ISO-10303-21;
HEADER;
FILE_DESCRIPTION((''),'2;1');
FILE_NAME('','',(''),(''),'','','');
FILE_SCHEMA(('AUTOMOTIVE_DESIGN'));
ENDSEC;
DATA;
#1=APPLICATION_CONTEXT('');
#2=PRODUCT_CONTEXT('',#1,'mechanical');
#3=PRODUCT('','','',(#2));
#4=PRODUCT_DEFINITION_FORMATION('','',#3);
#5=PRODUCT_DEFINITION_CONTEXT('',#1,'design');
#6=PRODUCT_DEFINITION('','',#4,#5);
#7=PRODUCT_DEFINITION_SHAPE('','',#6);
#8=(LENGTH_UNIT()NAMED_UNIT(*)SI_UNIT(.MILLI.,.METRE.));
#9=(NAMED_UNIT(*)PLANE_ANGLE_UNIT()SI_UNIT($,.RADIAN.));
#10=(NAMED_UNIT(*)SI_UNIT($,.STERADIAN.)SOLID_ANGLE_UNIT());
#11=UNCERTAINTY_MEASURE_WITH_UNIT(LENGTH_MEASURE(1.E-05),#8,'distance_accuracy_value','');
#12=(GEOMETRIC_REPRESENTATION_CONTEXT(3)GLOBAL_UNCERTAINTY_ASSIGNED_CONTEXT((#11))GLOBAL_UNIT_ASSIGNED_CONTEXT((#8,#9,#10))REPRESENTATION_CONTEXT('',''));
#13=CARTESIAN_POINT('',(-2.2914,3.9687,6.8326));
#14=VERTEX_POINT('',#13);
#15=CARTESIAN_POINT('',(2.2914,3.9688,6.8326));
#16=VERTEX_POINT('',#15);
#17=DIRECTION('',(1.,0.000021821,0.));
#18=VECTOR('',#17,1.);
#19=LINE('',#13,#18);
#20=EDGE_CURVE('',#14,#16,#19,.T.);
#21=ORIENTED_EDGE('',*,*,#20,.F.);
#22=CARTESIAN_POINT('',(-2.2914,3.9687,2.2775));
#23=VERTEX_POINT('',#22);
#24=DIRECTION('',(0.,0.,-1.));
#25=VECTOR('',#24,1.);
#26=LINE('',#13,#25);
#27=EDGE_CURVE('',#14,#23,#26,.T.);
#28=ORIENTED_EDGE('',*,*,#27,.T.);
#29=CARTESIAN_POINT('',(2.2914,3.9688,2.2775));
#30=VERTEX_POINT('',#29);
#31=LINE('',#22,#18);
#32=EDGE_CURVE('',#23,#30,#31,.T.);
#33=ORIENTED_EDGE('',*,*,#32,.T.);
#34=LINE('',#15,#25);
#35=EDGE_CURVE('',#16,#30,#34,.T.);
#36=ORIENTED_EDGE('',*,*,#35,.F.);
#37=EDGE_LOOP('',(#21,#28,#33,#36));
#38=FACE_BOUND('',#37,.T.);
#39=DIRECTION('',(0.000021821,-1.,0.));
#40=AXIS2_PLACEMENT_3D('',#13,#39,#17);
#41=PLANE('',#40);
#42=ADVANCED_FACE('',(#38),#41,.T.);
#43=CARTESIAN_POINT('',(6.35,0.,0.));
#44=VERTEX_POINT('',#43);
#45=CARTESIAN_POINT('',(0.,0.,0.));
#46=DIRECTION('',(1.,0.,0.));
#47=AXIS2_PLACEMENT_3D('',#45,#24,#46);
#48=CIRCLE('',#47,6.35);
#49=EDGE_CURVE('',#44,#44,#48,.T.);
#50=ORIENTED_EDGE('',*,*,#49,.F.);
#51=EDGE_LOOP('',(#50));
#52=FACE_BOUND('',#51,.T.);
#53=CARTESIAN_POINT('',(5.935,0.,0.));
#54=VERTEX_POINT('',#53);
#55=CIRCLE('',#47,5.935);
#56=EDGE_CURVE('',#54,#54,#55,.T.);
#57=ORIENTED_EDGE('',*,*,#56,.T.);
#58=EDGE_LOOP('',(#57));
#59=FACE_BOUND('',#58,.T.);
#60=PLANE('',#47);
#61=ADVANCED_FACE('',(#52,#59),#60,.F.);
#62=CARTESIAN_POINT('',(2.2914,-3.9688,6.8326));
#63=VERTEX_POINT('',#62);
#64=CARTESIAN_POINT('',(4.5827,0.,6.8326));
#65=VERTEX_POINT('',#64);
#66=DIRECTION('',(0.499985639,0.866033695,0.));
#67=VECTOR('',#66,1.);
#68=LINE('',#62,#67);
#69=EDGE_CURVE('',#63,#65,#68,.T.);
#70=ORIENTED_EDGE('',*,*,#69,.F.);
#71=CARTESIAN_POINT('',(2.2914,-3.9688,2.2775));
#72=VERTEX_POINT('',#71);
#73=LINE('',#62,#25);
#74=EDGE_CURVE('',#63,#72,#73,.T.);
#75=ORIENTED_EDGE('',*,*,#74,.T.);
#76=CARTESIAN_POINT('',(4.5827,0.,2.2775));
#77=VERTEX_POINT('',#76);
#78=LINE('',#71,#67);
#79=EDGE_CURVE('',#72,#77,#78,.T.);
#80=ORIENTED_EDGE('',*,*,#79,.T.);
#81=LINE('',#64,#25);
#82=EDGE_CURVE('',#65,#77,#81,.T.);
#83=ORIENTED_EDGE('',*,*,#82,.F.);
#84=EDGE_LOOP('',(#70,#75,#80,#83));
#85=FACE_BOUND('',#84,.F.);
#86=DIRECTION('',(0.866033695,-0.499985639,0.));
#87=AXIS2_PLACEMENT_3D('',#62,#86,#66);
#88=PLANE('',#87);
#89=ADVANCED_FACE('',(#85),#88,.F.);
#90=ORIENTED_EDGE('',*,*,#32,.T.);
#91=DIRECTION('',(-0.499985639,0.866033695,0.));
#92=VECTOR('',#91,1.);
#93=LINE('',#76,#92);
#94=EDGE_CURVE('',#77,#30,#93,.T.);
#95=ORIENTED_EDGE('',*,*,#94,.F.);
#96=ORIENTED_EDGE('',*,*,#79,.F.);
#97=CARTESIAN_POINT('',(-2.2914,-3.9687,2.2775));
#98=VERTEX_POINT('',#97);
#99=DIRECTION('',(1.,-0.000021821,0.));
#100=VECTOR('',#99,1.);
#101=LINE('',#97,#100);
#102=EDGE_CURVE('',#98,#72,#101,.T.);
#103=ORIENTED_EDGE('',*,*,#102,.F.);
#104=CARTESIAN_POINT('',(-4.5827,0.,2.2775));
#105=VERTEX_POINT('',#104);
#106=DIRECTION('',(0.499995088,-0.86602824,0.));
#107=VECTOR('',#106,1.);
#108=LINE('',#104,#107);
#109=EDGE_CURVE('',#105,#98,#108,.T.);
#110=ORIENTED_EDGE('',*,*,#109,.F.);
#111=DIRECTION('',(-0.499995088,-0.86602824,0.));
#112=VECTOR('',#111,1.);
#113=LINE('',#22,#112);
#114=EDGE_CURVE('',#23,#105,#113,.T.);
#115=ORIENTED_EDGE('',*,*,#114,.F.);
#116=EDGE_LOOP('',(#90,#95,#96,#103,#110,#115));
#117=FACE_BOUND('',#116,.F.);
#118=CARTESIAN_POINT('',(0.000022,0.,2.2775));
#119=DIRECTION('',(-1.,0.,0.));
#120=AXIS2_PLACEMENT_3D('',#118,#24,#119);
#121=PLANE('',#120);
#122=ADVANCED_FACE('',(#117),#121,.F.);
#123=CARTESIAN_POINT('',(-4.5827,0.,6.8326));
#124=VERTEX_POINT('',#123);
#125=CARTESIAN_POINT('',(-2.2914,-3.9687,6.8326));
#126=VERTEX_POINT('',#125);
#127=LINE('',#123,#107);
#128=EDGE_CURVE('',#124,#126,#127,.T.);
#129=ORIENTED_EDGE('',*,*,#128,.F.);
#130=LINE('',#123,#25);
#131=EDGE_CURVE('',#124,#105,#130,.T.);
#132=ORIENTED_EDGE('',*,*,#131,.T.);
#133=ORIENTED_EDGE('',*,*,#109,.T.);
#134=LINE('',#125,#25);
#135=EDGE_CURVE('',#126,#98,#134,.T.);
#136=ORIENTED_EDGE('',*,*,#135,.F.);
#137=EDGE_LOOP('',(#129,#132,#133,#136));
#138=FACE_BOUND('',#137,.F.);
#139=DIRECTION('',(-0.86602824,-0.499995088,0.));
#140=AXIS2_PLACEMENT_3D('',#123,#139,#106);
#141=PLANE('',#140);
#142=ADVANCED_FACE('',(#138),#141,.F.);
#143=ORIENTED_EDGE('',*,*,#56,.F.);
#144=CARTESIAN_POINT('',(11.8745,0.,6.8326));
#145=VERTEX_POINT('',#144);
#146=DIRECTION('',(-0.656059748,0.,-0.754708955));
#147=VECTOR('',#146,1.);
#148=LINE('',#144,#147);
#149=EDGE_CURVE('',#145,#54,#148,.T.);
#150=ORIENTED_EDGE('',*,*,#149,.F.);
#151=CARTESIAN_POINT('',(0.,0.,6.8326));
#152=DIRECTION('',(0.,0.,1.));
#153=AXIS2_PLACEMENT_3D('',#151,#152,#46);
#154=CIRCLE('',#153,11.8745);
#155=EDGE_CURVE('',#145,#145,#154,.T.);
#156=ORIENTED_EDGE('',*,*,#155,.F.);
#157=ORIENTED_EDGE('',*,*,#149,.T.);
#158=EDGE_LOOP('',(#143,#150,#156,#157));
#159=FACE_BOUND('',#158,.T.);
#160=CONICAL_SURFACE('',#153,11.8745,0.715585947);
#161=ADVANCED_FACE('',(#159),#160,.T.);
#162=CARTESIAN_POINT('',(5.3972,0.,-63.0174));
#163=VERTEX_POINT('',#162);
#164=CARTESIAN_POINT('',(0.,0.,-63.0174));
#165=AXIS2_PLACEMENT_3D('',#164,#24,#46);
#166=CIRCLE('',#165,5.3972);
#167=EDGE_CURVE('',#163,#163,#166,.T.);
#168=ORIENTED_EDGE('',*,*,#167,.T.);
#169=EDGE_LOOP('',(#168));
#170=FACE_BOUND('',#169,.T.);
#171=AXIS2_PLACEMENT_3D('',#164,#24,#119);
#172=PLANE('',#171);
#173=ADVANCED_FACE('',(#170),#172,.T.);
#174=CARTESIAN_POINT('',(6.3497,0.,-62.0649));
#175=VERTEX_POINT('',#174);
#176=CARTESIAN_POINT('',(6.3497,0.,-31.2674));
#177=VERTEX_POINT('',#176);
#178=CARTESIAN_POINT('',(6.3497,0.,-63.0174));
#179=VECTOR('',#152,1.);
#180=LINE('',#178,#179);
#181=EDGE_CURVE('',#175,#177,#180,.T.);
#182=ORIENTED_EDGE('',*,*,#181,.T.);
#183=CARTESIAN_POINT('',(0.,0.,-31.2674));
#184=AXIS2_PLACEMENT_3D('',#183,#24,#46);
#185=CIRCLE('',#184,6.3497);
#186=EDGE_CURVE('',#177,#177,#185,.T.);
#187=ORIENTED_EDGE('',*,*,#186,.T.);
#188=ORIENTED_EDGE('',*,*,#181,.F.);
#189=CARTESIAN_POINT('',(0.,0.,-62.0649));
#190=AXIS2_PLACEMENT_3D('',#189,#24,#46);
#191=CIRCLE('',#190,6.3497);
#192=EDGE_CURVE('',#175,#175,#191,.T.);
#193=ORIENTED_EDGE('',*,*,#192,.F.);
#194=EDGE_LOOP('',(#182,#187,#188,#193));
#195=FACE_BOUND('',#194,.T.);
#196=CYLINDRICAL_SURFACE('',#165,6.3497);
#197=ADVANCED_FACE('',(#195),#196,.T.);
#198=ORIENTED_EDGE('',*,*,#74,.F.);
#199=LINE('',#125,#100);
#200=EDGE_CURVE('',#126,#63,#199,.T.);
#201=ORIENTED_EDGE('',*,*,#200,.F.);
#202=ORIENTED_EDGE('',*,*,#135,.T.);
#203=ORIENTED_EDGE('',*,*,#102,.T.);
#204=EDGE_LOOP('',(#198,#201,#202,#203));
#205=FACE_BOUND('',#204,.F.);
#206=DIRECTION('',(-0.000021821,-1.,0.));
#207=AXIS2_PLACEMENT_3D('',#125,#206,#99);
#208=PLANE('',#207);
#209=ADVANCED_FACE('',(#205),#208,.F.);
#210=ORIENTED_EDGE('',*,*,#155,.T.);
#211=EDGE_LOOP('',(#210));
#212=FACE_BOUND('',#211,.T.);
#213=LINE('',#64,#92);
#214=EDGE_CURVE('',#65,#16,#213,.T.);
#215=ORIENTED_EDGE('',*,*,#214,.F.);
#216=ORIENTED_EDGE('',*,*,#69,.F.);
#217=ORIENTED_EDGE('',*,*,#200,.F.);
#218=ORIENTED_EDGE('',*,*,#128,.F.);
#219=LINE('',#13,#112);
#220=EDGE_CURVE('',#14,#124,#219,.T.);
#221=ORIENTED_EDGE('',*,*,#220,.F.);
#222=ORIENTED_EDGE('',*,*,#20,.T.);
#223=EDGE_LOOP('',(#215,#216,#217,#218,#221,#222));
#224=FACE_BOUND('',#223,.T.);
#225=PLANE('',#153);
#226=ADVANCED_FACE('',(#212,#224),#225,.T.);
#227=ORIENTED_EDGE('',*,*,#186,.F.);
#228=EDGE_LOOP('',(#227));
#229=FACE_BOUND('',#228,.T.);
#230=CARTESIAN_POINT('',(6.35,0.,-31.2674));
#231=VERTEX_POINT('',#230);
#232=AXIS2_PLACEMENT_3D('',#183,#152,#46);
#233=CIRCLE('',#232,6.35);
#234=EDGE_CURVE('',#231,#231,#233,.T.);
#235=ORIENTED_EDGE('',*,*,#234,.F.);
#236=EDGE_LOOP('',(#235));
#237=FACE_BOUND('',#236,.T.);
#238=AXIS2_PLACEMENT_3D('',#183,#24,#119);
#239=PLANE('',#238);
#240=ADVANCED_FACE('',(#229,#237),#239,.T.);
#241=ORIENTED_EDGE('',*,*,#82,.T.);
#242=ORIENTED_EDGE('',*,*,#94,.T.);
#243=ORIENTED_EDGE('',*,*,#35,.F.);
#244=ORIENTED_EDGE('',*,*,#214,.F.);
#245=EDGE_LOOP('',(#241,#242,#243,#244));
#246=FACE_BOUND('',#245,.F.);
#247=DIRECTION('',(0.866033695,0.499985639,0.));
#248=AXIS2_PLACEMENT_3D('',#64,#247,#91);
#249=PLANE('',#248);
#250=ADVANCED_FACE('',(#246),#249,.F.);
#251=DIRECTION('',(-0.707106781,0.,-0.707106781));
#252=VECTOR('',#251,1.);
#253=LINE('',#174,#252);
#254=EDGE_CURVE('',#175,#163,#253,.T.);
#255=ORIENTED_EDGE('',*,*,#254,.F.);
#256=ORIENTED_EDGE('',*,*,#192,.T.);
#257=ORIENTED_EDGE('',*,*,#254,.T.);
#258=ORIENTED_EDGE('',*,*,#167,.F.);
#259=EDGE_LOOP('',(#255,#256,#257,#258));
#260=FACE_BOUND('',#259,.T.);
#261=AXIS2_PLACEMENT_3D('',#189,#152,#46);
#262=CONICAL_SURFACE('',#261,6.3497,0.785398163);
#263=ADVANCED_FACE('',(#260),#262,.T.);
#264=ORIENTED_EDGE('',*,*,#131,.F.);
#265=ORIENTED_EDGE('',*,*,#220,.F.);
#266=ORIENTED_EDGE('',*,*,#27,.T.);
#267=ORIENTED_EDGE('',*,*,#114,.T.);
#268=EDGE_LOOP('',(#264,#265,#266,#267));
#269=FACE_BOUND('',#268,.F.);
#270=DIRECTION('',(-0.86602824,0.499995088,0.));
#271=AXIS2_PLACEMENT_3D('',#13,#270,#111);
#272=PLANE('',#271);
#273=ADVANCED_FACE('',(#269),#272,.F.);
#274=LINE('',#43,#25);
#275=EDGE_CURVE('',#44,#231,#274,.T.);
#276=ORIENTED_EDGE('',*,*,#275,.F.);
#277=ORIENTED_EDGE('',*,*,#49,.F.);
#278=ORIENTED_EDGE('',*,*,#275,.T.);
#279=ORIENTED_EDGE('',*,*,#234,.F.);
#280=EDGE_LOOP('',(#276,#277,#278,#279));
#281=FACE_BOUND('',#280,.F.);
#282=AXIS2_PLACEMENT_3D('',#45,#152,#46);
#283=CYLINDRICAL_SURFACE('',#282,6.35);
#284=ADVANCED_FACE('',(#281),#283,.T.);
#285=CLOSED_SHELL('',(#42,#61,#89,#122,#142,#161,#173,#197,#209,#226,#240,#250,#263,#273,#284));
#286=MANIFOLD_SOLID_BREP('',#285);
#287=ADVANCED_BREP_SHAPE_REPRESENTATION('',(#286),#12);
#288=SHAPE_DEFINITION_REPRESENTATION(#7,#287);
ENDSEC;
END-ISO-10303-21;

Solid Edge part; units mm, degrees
sketch "Sketch1" plane through (0, 0, 0) normal (0, 0, 1) x (1, 0, 0)
  circle A0 centre (0, 0) radius 11.8745
  dimension "D1" = 23.749
extrude "Protrusion1" add sketch "Sketch1" along normal blind 6.8326
sketch "Sketch2" plane through (0, 0, 0) normal (0, 0, -1) x (1, 0, 0)
  circle A0 centre (0, 0) radius 6.35
extrude "Protrusion2" add sketch "Sketch2" along normal blind 63.0174
sketch "Sketch3" plane through (0, 0, -63.0174) normal (0, 0, -1) x (1, 0, 0)
  circle A0 centre (0, 0) radius 6.3497
extrude "Cutout1" cut sketch "Sketch3" against normal blind 31.75 flip side to cut
chamfer "Chamfer_1" distance 0.9525 angle 45 1 edges at (-6.3497, 0, -63.0174)
sketch "Sketch4" plane through (0, 0, 6.8326) normal (0, 0, 1) x (1, 0, 0)
  line L0 (-2.2914, 3.9687) -> (2.2914, 3.9688)
  line L1 (4.5827, 0) -> (2.2914, 3.9688)
  line L2 (2.2914, -3.9688) -> (4.5827, 0)
  line L3 (-2.2914, -3.9687) -> (2.2914, -3.9688)
  line L4 (-4.5827, 0) -> (-2.2914, -3.9688)
  line L5 (-2.2914, 3.9688) -> (-4.5827, 0)
  dimension "D1" = 7.9375
extrude "Cutout2" cut sketch "Sketch4" against normal blind 4.5551
sketch "Sketch5" plane through (0, 0, 0) normal (0, -1, 0) x (1, 0, 0)
  line L0 (11.8745, 6.8326) -> (5.935, 0)
  line L1 (5.935, 0) -> (11.8745, 0)
  line L2 (11.8745, 0) -> (11.8745, 6.8326)
revolve "RevolvedCutout1" cut sketch "Sketch5" angle 360 about axis through (0, 0, 14.0017) along (0, 0, -1)
properties part number "24103285"
